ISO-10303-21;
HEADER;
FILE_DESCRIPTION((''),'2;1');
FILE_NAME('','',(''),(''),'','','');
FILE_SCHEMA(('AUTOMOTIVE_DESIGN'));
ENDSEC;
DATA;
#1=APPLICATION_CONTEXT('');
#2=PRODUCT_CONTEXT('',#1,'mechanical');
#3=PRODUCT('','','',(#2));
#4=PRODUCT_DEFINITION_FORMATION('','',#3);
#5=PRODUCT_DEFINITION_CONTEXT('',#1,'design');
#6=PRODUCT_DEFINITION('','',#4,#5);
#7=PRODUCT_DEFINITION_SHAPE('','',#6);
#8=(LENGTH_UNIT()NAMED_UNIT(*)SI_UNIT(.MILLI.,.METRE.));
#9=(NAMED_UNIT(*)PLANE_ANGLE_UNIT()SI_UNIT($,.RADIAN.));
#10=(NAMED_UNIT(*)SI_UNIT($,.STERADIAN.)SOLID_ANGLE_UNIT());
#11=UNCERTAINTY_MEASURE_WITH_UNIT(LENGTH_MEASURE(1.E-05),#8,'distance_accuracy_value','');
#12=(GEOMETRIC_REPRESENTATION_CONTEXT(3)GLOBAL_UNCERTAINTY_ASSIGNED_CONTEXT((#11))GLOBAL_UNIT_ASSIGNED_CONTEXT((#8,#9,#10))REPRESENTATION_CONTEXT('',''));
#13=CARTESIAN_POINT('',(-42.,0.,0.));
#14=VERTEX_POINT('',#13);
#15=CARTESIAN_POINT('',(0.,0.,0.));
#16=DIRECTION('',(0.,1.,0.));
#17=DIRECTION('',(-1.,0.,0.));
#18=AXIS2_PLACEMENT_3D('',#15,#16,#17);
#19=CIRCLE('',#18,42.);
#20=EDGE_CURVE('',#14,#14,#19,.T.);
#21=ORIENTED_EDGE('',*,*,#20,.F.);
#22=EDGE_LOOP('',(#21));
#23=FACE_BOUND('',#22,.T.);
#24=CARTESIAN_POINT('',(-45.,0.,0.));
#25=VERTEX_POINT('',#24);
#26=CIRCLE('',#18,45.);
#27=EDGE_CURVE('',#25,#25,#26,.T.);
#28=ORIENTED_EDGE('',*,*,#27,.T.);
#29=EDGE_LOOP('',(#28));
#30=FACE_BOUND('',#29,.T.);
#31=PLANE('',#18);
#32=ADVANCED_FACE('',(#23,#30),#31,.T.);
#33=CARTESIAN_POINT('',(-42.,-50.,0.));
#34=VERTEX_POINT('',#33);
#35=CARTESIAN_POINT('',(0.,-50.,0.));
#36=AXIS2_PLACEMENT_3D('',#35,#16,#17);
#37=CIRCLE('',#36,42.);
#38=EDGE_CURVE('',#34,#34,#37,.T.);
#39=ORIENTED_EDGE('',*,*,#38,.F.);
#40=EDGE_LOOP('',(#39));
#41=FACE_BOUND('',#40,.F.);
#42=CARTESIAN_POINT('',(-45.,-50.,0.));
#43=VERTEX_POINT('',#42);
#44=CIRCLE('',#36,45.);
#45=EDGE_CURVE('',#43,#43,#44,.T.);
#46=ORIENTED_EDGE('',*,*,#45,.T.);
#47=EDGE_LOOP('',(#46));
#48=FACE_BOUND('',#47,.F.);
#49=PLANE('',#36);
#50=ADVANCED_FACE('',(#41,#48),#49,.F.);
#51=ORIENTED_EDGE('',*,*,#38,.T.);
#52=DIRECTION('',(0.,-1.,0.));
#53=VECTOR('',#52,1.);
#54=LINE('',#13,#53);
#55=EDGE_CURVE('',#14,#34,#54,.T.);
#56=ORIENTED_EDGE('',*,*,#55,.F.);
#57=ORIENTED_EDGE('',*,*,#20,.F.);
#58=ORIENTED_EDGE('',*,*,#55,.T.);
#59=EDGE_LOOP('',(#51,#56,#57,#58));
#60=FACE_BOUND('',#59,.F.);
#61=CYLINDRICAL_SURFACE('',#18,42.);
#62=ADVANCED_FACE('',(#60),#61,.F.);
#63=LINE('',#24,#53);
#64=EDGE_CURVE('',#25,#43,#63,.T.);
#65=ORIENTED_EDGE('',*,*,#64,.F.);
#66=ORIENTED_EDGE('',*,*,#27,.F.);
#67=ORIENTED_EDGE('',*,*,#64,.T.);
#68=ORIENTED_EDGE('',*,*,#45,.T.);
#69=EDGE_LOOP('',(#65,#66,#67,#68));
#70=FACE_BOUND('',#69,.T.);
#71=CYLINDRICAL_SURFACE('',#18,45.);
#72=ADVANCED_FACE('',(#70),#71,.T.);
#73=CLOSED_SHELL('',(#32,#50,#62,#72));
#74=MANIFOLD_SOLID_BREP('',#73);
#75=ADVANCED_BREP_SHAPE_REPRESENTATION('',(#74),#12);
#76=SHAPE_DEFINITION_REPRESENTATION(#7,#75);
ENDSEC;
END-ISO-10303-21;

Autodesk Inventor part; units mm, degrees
ref_plane "YZ Plane" through (0, 0, 0) normal (1, 0, 0) x (0, 1, 0)
ref_plane "XZ Plane" through (0, 0, 0) normal (0, 1, 0) x (-1, 0, 0)
ref_plane "XY Plane" through (0, 0, 0) normal (0, 0, 1) x (1, 0, 0)
sketch "Sketch1" plane through (0, 0, 0) normal (0, 1, 0) x (-1, 0, 0)
  circle A0 centre (0, 0) radius 45
  circle A1 centre (0, 0) radius 42
  dimension "d0" = 90
  dimension "d1" = 3
extrude "Extrusion1" add sketch "Sketch1" against normal blind 50
properties part number "PNS 1722 FDS  tube 1" material "Steel"
